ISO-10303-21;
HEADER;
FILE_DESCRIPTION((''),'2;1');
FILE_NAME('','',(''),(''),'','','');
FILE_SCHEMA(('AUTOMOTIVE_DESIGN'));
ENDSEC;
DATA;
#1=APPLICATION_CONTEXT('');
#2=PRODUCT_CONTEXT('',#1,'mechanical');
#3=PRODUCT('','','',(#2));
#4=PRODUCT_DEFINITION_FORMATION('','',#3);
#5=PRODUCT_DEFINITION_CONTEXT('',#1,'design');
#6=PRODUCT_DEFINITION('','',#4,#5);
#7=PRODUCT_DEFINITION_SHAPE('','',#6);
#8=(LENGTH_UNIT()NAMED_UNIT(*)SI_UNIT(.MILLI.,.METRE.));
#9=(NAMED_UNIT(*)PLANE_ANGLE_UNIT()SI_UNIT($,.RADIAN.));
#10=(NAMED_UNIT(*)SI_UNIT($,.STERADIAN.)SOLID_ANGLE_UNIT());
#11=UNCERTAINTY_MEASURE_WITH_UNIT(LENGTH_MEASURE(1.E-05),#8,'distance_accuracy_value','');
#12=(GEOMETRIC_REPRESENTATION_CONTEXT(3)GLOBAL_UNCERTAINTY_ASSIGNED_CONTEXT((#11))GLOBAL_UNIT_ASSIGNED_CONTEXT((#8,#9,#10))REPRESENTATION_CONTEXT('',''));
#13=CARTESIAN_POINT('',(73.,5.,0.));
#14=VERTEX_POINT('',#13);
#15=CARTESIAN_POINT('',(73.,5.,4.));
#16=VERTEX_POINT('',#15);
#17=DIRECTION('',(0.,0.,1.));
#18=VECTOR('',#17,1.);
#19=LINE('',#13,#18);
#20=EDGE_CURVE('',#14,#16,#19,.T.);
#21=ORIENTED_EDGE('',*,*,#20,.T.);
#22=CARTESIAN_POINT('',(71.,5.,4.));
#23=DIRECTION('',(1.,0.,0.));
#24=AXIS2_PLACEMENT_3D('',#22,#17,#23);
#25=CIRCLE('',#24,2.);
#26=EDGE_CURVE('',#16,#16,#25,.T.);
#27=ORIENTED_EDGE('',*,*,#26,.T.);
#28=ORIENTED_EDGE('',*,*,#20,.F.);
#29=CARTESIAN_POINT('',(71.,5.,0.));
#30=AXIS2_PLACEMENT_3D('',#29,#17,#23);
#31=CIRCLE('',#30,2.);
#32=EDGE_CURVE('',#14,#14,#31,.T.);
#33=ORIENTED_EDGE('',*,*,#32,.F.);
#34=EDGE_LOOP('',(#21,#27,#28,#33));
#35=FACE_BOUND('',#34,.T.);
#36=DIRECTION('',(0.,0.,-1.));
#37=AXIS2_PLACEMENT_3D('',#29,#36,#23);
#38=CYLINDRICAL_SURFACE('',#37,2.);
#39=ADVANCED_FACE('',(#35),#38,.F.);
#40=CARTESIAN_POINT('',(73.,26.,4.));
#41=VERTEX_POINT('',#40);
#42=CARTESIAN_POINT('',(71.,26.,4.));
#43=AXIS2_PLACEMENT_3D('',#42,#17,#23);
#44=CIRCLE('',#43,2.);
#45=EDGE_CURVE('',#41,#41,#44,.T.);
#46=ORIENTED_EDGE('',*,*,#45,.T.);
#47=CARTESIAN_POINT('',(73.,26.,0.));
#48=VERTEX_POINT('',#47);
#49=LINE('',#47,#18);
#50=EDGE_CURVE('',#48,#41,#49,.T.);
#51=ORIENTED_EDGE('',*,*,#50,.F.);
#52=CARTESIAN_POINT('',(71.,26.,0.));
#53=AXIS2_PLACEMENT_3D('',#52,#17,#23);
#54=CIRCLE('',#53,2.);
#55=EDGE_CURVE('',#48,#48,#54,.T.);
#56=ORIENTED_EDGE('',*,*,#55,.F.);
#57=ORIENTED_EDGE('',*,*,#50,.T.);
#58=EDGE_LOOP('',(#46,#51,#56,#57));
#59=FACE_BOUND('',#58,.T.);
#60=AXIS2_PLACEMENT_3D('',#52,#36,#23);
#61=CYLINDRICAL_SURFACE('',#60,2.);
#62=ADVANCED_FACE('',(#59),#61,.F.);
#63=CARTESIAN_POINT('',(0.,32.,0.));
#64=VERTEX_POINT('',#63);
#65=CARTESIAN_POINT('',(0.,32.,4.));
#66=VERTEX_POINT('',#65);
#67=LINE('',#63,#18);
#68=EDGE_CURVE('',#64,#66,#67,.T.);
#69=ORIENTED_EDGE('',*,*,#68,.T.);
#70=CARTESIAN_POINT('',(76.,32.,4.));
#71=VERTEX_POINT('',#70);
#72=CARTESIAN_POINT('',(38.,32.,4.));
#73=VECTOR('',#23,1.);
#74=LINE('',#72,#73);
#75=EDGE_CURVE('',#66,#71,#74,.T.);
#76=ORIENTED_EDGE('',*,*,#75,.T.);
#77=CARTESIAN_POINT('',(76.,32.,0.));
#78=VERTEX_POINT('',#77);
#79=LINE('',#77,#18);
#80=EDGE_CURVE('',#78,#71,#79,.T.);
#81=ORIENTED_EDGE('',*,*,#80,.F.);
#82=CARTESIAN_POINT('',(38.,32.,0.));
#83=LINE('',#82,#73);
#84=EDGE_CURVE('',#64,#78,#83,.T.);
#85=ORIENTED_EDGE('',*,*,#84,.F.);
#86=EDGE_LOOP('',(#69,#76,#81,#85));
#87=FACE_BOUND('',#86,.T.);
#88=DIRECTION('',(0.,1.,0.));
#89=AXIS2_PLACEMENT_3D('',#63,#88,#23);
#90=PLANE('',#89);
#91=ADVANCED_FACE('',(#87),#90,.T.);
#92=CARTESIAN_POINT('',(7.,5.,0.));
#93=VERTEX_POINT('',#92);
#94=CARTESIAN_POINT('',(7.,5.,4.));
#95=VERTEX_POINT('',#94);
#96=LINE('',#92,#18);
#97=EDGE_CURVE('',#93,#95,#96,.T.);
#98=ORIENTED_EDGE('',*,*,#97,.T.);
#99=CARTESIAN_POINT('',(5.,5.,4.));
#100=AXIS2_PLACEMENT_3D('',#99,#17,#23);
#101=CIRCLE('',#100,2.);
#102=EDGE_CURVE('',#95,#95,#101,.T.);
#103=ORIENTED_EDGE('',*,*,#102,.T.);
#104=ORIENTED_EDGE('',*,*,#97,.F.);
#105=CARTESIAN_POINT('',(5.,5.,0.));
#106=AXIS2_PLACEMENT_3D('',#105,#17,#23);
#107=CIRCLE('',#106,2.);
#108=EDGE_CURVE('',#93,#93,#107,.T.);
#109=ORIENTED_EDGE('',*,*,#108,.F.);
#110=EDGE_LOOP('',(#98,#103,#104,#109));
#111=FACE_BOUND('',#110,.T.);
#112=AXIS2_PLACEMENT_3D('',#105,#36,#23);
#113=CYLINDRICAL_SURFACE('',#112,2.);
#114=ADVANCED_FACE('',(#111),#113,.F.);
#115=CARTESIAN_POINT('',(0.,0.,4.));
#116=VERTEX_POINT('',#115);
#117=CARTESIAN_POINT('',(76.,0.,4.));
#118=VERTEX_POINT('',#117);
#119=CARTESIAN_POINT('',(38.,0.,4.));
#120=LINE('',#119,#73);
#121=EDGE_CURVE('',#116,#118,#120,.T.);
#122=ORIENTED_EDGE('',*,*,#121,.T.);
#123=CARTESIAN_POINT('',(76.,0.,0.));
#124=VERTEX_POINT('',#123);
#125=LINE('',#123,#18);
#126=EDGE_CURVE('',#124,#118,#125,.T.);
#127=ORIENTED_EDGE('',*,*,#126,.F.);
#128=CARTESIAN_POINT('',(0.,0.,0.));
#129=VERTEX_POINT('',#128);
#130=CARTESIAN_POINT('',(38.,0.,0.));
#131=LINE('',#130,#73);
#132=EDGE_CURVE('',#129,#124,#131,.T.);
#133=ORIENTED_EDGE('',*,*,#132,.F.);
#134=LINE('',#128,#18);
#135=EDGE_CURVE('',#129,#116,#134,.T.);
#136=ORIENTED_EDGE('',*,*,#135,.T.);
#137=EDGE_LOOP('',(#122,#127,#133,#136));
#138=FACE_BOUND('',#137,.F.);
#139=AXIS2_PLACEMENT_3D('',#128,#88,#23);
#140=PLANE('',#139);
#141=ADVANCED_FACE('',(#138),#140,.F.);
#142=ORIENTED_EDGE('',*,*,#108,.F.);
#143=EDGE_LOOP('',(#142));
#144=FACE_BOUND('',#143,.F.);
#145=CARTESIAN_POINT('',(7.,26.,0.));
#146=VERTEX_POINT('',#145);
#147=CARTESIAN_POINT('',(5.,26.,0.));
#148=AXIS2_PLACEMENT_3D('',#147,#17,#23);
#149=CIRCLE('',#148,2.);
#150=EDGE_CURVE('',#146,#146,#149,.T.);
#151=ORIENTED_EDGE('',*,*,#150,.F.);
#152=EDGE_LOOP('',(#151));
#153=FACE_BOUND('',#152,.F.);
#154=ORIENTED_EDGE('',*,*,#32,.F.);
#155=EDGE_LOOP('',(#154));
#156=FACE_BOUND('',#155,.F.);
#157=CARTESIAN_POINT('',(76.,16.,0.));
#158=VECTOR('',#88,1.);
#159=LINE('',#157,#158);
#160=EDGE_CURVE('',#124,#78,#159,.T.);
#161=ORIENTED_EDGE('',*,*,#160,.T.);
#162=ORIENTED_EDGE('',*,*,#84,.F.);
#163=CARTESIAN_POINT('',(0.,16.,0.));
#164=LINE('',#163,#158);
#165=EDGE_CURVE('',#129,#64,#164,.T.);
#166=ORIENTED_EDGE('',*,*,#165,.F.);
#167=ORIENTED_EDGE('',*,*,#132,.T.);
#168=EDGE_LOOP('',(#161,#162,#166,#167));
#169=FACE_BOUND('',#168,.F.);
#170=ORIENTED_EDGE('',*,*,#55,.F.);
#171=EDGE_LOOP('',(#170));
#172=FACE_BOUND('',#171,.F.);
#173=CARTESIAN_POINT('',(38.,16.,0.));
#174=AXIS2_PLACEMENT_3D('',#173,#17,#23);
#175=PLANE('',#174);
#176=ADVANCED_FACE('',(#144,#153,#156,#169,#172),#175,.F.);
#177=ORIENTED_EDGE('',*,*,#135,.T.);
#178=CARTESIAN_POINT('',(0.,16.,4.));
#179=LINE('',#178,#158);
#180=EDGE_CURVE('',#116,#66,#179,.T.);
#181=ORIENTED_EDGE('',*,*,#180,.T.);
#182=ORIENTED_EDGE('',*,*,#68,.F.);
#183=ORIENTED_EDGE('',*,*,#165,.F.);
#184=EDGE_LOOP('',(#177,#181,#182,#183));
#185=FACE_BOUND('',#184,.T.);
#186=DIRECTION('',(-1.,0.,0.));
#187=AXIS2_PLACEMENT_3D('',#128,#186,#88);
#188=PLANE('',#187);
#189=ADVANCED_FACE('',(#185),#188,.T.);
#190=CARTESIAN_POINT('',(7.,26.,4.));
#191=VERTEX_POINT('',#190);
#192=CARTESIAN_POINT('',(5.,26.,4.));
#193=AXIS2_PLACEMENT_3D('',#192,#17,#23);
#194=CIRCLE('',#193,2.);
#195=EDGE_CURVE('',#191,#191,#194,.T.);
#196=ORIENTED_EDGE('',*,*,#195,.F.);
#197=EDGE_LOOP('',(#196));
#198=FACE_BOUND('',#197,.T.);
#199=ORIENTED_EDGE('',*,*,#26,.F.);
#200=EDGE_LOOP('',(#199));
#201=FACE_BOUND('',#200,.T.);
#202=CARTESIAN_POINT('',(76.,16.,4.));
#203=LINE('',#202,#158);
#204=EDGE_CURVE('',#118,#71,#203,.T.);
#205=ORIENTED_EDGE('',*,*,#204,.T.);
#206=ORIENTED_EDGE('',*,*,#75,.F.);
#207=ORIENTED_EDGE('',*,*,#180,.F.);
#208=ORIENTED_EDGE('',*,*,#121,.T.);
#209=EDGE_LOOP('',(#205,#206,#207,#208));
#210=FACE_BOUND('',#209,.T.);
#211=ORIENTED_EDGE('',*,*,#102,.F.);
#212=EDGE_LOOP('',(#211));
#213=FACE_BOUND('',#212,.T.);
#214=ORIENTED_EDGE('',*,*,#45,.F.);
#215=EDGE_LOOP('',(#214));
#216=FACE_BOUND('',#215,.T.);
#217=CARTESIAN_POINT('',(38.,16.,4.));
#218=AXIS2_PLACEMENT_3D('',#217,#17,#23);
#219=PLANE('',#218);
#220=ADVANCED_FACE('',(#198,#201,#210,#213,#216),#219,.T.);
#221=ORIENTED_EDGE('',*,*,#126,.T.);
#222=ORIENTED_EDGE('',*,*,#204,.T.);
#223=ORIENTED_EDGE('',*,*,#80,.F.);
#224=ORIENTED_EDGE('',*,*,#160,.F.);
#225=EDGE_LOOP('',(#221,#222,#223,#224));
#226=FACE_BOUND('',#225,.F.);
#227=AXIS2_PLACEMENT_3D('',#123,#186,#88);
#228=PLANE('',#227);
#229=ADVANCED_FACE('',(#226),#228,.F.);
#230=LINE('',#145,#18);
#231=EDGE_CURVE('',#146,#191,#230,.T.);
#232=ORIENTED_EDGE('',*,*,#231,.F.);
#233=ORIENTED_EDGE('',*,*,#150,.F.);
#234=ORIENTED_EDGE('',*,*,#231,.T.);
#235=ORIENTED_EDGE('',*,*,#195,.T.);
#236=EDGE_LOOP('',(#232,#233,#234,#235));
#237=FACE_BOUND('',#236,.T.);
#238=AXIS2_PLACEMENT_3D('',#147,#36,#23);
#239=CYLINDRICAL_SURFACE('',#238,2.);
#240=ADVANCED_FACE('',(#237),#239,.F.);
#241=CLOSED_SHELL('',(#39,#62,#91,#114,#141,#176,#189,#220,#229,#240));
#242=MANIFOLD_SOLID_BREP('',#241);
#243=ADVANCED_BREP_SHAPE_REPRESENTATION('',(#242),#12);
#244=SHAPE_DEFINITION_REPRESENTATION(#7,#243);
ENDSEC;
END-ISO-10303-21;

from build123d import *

# Parameters (mm, degrees)
SKETCH_1_W      = 76
SKETCH_1_H      = 32
SKETCH_1_R      = 2
EXTRUDE_1_DEPTH = 4


with BuildPart() as part:
    # Эскиз1 → Бобышка-Вытянуть1 (new body)
    with BuildSketch(Plane.XY):
        with Locations((38, 16)):
            Rectangle(SKETCH_1_W, SKETCH_1_H)
        with Locations((5, 5)):
            Circle(SKETCH_1_R, mode=Mode.SUBTRACT)
        with Locations((5, 26)):
            Circle(SKETCH_1_R, mode=Mode.SUBTRACT)
        with Locations((71, 26)):
            Circle(SKETCH_1_R, mode=Mode.SUBTRACT)
        with Locations((71, 5)):
            Circle(SKETCH_1_R, mode=Mode.SUBTRACT)
    extrude(amount=EXTRUDE_1_DEPTH)


solid = part.part
